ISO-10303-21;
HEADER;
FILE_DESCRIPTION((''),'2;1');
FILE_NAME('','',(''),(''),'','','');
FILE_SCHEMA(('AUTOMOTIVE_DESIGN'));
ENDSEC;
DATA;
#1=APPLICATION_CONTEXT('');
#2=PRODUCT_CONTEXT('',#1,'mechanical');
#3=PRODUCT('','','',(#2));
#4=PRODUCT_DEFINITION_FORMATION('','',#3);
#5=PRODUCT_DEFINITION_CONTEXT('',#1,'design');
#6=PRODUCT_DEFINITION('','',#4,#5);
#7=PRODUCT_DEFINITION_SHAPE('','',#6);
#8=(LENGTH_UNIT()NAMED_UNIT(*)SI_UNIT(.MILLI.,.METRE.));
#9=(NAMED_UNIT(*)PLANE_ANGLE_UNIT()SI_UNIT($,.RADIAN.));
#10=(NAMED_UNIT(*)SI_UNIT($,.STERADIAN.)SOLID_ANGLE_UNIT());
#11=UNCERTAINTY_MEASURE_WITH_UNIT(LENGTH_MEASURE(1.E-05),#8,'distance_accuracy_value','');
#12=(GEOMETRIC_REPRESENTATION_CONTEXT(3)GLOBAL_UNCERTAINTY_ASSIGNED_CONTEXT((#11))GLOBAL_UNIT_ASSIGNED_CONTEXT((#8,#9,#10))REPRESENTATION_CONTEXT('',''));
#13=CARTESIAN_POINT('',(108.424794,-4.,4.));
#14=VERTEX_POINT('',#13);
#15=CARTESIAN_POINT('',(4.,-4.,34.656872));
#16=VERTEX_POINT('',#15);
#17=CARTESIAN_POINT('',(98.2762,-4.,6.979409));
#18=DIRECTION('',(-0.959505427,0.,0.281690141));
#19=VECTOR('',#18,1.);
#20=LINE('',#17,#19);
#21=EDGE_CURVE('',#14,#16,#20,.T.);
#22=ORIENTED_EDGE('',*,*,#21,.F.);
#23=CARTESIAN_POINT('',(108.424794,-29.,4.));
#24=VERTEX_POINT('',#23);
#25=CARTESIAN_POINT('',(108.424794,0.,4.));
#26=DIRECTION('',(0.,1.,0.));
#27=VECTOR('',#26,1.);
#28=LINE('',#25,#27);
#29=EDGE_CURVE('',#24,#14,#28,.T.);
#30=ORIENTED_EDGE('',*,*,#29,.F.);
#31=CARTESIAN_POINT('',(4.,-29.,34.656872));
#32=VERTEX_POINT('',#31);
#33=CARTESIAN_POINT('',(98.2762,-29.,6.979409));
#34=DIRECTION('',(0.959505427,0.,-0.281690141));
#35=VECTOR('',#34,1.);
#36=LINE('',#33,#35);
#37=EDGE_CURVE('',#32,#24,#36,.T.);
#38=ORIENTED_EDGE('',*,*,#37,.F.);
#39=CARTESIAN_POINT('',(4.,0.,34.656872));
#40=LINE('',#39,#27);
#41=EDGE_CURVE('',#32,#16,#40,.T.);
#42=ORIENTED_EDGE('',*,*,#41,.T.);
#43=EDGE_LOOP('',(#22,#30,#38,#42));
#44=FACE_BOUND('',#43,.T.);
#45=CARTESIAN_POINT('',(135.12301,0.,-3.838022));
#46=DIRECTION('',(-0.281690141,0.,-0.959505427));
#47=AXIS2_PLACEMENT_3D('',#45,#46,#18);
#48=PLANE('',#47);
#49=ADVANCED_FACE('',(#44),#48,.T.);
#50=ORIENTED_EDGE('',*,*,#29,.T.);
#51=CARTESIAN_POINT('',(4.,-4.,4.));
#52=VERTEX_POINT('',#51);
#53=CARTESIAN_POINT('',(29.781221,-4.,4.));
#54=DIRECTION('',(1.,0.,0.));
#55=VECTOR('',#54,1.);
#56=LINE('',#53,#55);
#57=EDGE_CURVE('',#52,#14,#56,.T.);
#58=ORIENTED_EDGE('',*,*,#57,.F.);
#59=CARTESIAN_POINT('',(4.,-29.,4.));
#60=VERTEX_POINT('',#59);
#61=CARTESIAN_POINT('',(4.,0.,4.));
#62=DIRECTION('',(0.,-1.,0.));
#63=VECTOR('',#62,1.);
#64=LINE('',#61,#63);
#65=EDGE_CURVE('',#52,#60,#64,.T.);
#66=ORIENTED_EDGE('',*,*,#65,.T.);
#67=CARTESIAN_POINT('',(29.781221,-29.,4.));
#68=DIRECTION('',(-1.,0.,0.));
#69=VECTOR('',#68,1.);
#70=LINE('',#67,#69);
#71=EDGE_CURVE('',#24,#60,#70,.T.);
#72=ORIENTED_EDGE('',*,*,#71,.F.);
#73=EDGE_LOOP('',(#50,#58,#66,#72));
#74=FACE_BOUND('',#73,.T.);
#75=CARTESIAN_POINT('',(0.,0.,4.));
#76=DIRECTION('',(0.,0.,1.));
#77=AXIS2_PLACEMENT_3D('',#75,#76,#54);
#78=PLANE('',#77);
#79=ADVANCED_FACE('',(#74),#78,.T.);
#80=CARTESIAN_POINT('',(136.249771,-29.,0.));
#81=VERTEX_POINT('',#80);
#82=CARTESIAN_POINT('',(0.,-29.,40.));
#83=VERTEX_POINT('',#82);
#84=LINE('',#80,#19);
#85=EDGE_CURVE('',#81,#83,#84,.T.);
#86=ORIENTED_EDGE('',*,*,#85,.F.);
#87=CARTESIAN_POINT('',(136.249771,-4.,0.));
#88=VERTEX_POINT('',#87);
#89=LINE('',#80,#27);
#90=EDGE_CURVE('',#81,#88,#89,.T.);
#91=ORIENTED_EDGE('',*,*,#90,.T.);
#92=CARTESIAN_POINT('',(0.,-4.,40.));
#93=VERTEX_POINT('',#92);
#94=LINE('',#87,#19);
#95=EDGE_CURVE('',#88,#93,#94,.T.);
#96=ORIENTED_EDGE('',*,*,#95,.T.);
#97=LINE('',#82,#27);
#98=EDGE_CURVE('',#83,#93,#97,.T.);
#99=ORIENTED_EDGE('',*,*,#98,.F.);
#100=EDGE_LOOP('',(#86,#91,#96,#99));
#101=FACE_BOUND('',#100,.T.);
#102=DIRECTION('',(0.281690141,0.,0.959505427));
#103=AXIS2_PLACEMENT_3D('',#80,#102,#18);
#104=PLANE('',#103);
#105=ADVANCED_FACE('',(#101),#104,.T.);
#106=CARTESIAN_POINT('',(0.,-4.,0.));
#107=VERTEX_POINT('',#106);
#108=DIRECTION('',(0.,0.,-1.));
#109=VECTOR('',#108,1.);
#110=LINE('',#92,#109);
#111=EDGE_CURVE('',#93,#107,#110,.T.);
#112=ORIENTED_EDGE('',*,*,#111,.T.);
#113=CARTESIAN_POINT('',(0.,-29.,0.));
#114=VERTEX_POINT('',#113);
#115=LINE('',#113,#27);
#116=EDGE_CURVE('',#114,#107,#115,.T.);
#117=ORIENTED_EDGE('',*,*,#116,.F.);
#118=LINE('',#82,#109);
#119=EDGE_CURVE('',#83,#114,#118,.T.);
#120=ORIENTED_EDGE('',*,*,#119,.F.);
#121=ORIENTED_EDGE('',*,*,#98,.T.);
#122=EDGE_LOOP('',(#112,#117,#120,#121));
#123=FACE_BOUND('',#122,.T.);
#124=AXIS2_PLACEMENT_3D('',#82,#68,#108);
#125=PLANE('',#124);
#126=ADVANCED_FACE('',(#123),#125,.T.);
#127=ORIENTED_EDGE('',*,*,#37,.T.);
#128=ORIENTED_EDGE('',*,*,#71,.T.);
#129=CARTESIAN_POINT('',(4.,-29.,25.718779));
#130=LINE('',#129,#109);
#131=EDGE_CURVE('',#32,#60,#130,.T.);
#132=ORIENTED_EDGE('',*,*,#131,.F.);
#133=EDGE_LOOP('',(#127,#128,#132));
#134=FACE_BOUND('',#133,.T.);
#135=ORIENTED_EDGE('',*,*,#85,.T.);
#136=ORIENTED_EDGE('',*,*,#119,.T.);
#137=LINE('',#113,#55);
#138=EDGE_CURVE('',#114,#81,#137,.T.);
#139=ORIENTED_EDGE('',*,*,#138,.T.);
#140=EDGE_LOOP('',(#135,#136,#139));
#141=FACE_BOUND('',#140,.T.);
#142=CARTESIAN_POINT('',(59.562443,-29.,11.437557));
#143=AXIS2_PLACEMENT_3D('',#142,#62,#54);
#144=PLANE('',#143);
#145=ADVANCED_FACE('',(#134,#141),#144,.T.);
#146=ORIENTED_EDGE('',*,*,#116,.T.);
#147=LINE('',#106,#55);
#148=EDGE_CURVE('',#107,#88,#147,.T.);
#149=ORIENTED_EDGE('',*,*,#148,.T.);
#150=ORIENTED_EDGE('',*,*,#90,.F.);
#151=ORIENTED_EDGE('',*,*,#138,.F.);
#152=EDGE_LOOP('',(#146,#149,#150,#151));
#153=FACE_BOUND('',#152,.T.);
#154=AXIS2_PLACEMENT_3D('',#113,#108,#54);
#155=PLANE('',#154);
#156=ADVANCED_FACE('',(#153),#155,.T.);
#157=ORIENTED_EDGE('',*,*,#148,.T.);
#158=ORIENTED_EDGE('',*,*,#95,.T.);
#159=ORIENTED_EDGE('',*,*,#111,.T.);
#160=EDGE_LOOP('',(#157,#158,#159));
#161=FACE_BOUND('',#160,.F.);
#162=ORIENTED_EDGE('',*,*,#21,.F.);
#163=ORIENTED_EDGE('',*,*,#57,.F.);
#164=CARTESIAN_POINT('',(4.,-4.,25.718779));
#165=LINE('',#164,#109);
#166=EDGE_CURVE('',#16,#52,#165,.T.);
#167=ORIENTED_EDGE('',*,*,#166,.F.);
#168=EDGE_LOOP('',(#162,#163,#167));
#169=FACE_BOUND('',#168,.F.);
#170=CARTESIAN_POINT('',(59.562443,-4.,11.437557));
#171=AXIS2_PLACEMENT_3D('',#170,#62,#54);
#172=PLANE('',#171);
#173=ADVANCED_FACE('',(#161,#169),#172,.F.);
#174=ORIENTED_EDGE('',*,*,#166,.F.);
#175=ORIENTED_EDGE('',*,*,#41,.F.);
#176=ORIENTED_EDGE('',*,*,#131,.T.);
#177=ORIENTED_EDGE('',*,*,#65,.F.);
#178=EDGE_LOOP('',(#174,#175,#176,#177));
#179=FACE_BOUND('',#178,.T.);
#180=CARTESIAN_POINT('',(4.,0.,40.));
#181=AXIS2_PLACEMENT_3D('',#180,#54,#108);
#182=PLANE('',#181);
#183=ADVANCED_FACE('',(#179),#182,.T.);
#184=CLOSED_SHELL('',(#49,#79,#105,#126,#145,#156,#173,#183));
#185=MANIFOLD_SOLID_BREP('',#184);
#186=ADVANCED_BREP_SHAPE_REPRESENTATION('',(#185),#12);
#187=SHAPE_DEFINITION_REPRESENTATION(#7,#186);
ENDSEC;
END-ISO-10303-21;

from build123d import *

# Parameters (mm, degrees)
F1_DEPTH = 33
F2_ANGLE = 90
F3_T     = -4
F4_ANGLE = -90
F5_START = -4
F5_DEPTH = 25


with BuildPart() as f1:
    # F0 (on Front) → F1 (new body)
    with BuildSketch(Plane.XZ):
        Polygon((0, 40), (0, 0), (136.249770642, 0), align=None)
    extrude(amount=F1_DEPTH)


with BuildPart() as f1_1:
    # F2: moved
    add(f1.part.rotate(Axis((68.124885321, 0, 0), (-1, 0, 0)), F2_ANGLE))

    # F3 (hollow: no face is removed)
    offset(amount=F3_T, mode=Mode.SUBTRACT)


with BuildPart() as f1_2:
    # F4: moved
    add(f1_1.part.rotate(Axis((68.124885321, 0, 0), (-1, 0, 0)), F4_ANGLE))

    # F1_face (on face) → F5 (intersect)
    with BuildSketch(Plane(origin=(45.416590214, -33, 13.3333333333), x_dir=(1, 0, 0), z_dir=(0, -1, 0)).offset(F5_START)):
        Polygon((-45.416590214, 26.6666666667), (-45.416590214, -13.3333333333), (90.833180428, -13.3333333333), align=None)
    extrude(amount=-F5_DEPTH, mode=Mode.INTERSECT)


solid = f1_2.part
